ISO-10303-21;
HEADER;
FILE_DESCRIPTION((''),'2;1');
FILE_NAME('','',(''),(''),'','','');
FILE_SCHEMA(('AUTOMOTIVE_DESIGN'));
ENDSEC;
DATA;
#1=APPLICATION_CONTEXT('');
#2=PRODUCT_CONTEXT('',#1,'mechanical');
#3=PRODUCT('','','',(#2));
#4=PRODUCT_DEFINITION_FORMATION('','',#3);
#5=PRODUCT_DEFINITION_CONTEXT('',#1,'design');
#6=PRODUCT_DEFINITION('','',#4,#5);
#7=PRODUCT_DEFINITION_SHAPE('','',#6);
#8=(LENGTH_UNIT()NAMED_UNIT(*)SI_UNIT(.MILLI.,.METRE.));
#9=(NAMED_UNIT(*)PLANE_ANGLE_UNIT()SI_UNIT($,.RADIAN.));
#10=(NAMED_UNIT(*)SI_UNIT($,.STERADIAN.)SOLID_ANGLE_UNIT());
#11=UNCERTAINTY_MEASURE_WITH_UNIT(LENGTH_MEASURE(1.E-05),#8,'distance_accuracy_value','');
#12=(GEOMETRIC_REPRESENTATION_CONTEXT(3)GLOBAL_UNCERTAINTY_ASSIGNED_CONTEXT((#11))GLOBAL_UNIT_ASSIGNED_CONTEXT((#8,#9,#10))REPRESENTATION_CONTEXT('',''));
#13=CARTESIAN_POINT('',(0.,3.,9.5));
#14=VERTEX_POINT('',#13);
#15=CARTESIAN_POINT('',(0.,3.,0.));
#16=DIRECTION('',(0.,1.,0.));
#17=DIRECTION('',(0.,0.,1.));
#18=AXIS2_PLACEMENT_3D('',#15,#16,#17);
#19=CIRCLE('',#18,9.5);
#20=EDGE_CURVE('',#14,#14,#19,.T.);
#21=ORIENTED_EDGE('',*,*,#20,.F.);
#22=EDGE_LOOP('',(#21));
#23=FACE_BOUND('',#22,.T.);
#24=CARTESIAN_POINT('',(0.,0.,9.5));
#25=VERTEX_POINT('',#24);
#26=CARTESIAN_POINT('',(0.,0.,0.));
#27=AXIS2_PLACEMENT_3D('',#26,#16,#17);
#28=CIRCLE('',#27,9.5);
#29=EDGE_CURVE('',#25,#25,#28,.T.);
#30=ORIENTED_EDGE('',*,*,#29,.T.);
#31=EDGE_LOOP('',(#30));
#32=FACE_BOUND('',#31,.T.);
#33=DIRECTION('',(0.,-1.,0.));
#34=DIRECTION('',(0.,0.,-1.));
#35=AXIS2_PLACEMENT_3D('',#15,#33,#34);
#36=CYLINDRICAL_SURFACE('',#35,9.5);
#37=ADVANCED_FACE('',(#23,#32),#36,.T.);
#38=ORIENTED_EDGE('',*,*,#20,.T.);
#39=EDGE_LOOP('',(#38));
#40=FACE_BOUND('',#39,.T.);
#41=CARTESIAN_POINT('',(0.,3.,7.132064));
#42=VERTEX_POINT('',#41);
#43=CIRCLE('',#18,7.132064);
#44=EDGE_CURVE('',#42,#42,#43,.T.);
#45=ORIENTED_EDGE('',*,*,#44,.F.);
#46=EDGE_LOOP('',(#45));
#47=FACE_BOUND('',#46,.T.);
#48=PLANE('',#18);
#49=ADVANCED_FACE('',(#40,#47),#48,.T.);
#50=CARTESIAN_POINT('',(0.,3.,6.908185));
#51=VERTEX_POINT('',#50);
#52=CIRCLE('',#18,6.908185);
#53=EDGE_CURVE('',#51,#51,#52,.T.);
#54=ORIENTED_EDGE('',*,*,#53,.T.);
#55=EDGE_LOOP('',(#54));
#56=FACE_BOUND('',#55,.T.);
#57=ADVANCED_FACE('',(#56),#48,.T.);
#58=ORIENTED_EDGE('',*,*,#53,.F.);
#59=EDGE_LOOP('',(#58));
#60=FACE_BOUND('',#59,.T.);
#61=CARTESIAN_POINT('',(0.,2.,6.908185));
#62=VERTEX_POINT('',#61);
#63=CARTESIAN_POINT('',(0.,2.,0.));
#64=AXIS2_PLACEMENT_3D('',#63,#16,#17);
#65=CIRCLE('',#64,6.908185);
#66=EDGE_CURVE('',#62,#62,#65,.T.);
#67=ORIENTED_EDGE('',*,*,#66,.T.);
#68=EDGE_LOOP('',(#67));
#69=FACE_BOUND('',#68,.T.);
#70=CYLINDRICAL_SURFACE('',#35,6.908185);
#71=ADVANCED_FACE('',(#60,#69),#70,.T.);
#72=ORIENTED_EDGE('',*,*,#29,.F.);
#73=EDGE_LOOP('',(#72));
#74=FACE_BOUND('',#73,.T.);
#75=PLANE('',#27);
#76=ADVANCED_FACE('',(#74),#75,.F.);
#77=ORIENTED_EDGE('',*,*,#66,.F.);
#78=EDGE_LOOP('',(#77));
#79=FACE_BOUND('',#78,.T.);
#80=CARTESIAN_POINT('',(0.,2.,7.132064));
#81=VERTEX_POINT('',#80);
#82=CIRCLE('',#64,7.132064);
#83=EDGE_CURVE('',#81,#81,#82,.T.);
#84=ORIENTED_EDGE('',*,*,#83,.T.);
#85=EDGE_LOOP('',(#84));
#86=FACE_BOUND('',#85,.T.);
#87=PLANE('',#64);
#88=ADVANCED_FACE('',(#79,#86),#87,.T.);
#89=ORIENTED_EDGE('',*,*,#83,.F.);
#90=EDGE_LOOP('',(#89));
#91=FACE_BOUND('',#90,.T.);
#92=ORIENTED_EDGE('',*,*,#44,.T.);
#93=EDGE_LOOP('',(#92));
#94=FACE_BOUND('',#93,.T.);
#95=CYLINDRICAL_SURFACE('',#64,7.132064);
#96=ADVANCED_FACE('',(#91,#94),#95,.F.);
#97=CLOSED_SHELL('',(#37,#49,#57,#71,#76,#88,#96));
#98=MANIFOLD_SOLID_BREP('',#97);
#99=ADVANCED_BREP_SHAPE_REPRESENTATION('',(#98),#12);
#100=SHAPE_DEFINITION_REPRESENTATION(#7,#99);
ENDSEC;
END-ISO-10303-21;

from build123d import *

# Parameters (mm, degrees)
SKETCH_1_R          = 9.5
EXTRUDE_1_DEPTH     = 3
SKETCH_2_R          = 7.13206418
CUT_EXTRUDE_1_DEPTH = 1
SKETCH_3_R          = 6.908184584
EXTRUDE_2_DEPTH     = 1


with BuildPart() as part:
    # 草图1 → 凸台-拉伸1 (new body)
    with BuildSketch(Plane(origin=(0, 0, 0), x_dir=(1, 0, 0), z_dir=(0, 1, 0))):
        with Locations(Location((0, 0, 0), (0, 0, 270))):
            Circle(SKETCH_1_R)
    extrude(amount=EXTRUDE_1_DEPTH)

    # 草图2 → 切除-拉伸1 (cut)
    with BuildSketch(Plane(origin=(0, 3, 0), x_dir=(1, 0, 0), z_dir=(0, 1, 0))):
        with Locations(Location((0, 0, 0), (0, 0, 270))):
            Circle(SKETCH_2_R)
    extrude(amount=-CUT_EXTRUDE_1_DEPTH, mode=Mode.SUBTRACT)

    # 草图3 → 凸台-拉伸2 (add)
    with BuildSketch(Plane(origin=(0, 2, 0), x_dir=(1, 0, 0), z_dir=(0, 1, 0))):
        with Locations(Location((0, 0, 0), (0, 0, 270))):
            Circle(SKETCH_3_R)
    extrude(amount=EXTRUDE_2_DEPTH)


solid = part.part
